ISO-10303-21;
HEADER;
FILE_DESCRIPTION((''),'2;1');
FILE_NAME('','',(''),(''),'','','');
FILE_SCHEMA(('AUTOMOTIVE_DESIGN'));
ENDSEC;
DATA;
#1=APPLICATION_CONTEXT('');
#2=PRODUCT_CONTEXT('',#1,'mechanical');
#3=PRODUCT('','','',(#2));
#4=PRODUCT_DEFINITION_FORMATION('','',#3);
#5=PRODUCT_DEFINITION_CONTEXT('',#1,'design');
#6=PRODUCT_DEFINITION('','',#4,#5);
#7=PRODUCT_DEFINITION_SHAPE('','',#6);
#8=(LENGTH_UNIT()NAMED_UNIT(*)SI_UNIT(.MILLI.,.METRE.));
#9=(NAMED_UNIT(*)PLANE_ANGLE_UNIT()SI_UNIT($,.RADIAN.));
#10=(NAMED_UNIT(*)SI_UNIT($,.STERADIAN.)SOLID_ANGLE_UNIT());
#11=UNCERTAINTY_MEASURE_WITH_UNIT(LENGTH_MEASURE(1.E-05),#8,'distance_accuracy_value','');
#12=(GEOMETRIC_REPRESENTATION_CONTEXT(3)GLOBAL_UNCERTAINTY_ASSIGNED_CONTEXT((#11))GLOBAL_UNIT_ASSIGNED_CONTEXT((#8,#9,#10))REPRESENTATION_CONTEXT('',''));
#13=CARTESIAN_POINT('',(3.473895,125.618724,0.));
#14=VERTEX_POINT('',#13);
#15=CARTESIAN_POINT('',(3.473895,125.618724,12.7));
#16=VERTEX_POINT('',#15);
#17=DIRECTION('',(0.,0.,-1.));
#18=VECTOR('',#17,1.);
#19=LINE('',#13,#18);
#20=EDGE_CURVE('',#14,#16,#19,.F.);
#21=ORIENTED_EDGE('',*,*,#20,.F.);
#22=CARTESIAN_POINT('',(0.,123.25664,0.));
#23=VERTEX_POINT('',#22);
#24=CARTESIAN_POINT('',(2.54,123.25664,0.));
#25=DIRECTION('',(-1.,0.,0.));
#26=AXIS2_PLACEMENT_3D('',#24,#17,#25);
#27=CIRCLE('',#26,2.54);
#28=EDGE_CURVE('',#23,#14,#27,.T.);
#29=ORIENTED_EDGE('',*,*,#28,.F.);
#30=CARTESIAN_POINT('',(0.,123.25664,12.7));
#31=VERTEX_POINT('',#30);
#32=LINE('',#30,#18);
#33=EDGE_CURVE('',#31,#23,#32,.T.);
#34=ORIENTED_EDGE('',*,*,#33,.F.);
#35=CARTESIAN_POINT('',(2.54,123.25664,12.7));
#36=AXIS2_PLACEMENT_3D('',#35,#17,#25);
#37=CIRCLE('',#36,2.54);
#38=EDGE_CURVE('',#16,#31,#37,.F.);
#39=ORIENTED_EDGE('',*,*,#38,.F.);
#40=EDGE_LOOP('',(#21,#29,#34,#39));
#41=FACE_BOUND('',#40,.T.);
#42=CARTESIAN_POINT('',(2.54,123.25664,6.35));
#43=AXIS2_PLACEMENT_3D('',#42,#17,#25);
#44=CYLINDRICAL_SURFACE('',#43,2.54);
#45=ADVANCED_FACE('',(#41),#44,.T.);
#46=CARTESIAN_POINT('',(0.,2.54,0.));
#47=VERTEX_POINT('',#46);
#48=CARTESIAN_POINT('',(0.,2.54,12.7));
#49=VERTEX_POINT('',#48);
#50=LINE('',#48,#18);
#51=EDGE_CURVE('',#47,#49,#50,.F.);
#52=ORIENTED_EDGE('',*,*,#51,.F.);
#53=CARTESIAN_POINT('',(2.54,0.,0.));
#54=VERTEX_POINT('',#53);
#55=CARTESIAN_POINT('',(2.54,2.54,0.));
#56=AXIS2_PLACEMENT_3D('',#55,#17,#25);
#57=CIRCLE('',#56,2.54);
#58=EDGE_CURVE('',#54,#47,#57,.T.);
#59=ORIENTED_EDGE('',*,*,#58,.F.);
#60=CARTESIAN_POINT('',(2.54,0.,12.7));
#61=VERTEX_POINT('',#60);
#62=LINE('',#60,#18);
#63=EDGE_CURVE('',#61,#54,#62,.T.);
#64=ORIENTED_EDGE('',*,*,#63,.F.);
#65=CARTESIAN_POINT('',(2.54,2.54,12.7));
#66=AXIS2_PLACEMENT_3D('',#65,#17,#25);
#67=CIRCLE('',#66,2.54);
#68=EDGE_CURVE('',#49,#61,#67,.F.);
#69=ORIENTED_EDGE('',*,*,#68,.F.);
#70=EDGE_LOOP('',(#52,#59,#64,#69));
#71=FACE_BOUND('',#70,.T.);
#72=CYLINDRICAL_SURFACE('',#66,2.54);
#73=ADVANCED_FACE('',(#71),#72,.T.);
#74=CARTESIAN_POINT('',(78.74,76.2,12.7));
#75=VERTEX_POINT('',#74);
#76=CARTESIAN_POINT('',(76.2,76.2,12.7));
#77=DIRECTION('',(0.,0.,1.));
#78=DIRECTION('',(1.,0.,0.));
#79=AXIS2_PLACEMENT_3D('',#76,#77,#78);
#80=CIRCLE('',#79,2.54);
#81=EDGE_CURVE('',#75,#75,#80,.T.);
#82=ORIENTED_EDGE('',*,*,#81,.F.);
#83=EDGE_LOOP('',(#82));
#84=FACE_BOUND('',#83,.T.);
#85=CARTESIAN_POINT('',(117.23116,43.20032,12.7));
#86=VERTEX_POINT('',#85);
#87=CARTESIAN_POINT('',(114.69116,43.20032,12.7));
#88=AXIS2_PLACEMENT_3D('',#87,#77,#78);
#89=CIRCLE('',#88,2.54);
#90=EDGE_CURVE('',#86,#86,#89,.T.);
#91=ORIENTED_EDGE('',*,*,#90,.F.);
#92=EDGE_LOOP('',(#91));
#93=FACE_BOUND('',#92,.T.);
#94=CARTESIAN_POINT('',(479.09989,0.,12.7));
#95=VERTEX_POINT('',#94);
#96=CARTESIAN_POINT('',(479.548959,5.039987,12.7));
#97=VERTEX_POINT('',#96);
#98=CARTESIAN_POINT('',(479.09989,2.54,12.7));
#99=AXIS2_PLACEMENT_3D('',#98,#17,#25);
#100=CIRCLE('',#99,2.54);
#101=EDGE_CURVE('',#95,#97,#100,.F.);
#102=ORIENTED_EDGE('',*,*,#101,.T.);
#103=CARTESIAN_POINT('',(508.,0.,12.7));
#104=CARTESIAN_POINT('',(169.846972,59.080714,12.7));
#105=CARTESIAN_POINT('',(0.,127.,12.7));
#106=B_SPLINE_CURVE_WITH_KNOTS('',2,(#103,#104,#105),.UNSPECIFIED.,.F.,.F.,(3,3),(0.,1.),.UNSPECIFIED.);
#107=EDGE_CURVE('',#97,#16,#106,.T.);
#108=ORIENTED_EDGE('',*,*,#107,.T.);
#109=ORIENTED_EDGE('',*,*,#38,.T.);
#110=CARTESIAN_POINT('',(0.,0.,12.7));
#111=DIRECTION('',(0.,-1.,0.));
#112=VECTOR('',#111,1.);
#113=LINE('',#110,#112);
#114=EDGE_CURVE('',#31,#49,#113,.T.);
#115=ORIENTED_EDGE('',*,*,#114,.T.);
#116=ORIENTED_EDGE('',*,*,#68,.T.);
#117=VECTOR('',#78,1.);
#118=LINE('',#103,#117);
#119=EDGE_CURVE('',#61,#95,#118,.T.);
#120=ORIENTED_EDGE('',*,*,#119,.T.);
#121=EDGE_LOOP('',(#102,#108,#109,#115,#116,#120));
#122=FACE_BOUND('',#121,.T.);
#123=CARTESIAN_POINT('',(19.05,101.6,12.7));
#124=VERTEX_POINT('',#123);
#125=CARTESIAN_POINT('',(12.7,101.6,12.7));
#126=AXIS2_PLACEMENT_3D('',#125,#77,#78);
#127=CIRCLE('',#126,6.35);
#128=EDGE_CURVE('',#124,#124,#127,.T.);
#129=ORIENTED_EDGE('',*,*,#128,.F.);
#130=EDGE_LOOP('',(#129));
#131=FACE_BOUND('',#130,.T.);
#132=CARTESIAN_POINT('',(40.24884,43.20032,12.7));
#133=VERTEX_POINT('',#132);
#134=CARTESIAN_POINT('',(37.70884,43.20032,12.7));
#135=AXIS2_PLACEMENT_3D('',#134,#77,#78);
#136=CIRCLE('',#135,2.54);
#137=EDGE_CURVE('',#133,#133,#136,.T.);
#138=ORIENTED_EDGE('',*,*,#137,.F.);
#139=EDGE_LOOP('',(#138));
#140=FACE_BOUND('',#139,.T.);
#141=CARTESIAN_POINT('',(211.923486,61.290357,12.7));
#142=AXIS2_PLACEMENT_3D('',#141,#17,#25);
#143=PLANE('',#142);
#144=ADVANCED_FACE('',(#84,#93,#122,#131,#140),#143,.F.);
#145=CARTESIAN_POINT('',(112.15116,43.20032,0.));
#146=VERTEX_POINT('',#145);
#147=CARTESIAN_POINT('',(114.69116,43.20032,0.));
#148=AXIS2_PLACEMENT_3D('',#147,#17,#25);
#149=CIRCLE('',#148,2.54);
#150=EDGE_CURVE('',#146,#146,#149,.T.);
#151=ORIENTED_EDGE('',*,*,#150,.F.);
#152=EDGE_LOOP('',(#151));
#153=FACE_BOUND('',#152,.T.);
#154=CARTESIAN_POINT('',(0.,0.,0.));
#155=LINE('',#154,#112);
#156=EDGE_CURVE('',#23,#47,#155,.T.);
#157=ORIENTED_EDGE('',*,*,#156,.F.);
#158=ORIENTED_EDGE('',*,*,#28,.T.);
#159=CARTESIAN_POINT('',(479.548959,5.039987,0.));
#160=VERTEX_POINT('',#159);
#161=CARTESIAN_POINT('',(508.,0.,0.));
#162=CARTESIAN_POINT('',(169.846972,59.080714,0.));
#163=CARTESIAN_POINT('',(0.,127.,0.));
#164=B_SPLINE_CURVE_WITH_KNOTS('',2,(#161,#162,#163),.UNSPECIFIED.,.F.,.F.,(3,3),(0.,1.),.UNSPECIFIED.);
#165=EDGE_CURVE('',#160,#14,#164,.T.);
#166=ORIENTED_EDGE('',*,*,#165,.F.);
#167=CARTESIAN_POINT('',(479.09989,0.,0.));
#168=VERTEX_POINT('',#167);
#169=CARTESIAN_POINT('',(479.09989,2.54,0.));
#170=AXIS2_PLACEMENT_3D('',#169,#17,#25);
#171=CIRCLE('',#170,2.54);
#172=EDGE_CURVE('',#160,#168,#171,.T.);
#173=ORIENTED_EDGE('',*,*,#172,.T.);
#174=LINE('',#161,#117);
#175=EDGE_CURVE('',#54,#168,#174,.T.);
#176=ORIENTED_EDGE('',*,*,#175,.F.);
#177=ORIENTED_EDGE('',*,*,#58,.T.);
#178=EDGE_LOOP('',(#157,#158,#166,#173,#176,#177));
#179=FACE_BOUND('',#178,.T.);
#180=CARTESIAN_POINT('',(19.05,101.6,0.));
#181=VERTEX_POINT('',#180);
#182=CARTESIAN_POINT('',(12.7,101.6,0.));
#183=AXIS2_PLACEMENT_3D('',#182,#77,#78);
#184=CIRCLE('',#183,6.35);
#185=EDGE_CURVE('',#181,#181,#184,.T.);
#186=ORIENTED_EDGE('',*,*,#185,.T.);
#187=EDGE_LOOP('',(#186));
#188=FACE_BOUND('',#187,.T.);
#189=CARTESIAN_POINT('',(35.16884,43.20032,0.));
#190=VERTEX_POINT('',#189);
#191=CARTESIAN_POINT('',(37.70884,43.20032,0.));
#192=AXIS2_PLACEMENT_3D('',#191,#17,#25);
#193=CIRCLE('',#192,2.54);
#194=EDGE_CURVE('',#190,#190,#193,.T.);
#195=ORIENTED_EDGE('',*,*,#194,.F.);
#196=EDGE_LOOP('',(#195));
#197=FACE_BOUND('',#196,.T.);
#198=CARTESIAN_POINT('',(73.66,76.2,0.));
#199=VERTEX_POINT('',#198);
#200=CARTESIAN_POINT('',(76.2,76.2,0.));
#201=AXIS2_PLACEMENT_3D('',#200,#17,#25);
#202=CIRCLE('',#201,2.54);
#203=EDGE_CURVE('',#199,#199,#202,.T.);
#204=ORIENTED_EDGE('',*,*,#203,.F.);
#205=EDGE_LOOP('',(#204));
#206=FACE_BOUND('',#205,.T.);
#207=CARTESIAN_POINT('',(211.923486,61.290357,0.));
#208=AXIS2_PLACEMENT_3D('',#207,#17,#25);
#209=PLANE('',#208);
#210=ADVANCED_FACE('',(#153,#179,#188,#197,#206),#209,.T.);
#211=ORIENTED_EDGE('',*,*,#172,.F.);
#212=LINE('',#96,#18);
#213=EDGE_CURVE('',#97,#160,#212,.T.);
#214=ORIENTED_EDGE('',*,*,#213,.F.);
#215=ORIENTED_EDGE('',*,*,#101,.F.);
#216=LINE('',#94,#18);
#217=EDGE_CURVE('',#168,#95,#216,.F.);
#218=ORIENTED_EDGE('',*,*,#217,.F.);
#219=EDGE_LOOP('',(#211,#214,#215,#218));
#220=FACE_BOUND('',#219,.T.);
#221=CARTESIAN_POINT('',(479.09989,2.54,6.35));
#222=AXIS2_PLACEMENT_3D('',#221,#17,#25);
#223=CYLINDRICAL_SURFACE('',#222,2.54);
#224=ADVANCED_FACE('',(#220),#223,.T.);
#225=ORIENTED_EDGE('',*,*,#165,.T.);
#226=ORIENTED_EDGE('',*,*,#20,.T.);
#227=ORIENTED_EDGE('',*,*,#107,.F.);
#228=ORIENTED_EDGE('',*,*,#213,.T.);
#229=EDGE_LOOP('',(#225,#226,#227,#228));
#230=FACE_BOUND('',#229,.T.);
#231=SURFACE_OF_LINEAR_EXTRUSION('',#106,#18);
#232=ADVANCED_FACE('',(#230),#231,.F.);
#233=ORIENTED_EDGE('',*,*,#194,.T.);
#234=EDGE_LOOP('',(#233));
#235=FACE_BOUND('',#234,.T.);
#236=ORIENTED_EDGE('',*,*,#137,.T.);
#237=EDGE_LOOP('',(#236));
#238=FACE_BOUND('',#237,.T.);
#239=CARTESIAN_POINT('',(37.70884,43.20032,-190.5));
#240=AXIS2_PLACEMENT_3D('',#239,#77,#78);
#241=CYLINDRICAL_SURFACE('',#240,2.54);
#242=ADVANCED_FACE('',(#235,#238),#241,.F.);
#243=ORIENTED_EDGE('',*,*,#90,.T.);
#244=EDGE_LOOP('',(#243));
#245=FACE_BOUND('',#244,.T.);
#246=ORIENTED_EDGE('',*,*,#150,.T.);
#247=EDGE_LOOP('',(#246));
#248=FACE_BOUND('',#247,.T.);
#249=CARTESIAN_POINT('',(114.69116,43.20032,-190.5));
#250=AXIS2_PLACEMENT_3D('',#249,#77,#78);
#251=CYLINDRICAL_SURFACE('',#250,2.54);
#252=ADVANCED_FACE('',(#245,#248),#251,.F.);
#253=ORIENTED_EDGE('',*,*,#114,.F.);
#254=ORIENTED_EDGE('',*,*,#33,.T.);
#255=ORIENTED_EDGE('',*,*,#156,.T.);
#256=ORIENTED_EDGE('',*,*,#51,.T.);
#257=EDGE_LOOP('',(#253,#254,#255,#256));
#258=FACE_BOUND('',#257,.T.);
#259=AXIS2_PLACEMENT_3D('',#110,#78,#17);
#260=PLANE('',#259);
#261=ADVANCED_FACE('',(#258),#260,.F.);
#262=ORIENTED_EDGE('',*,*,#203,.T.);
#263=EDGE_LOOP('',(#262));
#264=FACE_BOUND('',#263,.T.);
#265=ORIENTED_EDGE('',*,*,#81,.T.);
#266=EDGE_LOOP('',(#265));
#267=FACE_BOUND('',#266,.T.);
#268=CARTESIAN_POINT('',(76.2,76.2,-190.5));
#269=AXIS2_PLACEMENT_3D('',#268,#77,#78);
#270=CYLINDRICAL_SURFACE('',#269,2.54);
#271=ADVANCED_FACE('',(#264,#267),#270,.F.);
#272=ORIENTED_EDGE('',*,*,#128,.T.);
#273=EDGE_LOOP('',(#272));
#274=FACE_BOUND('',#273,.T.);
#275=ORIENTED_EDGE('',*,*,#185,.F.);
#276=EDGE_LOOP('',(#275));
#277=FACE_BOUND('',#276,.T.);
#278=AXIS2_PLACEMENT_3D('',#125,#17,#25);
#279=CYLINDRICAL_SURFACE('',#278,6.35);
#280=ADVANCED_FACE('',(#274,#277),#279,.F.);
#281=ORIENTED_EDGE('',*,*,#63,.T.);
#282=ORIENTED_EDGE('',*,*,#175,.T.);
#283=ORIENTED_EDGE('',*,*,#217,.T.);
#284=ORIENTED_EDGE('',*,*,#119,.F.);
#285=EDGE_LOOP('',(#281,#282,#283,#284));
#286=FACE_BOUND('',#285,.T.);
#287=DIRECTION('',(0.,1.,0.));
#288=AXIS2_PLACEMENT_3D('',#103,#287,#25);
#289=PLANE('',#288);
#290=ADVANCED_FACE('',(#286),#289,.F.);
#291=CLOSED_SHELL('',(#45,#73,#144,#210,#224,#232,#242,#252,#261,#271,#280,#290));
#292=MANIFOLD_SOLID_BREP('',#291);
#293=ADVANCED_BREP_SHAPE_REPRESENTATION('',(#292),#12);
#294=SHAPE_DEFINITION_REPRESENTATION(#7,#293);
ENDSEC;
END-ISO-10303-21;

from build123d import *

# Parameters (mm, degrees)
SKETCH1_R           = 6.35
BOSS_EXTRUDE1_DEPTH = 12.7
FILLET1_R           = 2.54
FILLET2_R           = 2.54
SKETCH2_R           = 2.54
CUT_EXTRUDE1_DEPTH  = 203.2


with BuildPart() as part:
    # Sketch1 → Boss-Extrude1 (new body)
    with BuildSketch(Plane.XY):
        with BuildLine():
            Line((0, 0), (0, 127))
            add(Edge.make_bspline(
                [(0, 127), (169.846972044, 59.080713691), (508, 0)],
                knots=[0, 0, 0, 1, 1, 1], degree=2))
            Line((508, 0), (0, 0))
        make_face()
        with Locations((12.7, 101.6)):
            Circle(SKETCH1_R, mode=Mode.SUBTRACT)
    extrude(amount=BOSS_EXTRUDE1_DEPTH)

    # Fillet1
    fillet1_edges = [part.edges().sort_by_distance(p)[0] for p in [
        (0, 127, 6.35),
    ]]
    fillet(fillet1_edges, radius=FILLET1_R)

    # Fillet2
    fillet2_edges = [part.edges().sort_by_distance(p)[0] for p in [
        (0, 0, 6.35),
        (508, 0, 6.35),
    ]]
    fillet(fillet2_edges, radius=FILLET2_R)

    # Sketch2 → Cut-Extrude1 (cut)
    with BuildSketch(Plane.XY.offset(12.7)):
        with Locations((76.2, 76.2)):
            Circle(SKETCH2_R)
        with Locations((37.70884, 43.20032)):
            Circle(SKETCH2_R)
        with Locations((114.69116, 43.20032)):
            Circle(SKETCH2_R)
    extrude(amount=-CUT_EXTRUDE1_DEPTH, mode=Mode.SUBTRACT)


solid = part.part
